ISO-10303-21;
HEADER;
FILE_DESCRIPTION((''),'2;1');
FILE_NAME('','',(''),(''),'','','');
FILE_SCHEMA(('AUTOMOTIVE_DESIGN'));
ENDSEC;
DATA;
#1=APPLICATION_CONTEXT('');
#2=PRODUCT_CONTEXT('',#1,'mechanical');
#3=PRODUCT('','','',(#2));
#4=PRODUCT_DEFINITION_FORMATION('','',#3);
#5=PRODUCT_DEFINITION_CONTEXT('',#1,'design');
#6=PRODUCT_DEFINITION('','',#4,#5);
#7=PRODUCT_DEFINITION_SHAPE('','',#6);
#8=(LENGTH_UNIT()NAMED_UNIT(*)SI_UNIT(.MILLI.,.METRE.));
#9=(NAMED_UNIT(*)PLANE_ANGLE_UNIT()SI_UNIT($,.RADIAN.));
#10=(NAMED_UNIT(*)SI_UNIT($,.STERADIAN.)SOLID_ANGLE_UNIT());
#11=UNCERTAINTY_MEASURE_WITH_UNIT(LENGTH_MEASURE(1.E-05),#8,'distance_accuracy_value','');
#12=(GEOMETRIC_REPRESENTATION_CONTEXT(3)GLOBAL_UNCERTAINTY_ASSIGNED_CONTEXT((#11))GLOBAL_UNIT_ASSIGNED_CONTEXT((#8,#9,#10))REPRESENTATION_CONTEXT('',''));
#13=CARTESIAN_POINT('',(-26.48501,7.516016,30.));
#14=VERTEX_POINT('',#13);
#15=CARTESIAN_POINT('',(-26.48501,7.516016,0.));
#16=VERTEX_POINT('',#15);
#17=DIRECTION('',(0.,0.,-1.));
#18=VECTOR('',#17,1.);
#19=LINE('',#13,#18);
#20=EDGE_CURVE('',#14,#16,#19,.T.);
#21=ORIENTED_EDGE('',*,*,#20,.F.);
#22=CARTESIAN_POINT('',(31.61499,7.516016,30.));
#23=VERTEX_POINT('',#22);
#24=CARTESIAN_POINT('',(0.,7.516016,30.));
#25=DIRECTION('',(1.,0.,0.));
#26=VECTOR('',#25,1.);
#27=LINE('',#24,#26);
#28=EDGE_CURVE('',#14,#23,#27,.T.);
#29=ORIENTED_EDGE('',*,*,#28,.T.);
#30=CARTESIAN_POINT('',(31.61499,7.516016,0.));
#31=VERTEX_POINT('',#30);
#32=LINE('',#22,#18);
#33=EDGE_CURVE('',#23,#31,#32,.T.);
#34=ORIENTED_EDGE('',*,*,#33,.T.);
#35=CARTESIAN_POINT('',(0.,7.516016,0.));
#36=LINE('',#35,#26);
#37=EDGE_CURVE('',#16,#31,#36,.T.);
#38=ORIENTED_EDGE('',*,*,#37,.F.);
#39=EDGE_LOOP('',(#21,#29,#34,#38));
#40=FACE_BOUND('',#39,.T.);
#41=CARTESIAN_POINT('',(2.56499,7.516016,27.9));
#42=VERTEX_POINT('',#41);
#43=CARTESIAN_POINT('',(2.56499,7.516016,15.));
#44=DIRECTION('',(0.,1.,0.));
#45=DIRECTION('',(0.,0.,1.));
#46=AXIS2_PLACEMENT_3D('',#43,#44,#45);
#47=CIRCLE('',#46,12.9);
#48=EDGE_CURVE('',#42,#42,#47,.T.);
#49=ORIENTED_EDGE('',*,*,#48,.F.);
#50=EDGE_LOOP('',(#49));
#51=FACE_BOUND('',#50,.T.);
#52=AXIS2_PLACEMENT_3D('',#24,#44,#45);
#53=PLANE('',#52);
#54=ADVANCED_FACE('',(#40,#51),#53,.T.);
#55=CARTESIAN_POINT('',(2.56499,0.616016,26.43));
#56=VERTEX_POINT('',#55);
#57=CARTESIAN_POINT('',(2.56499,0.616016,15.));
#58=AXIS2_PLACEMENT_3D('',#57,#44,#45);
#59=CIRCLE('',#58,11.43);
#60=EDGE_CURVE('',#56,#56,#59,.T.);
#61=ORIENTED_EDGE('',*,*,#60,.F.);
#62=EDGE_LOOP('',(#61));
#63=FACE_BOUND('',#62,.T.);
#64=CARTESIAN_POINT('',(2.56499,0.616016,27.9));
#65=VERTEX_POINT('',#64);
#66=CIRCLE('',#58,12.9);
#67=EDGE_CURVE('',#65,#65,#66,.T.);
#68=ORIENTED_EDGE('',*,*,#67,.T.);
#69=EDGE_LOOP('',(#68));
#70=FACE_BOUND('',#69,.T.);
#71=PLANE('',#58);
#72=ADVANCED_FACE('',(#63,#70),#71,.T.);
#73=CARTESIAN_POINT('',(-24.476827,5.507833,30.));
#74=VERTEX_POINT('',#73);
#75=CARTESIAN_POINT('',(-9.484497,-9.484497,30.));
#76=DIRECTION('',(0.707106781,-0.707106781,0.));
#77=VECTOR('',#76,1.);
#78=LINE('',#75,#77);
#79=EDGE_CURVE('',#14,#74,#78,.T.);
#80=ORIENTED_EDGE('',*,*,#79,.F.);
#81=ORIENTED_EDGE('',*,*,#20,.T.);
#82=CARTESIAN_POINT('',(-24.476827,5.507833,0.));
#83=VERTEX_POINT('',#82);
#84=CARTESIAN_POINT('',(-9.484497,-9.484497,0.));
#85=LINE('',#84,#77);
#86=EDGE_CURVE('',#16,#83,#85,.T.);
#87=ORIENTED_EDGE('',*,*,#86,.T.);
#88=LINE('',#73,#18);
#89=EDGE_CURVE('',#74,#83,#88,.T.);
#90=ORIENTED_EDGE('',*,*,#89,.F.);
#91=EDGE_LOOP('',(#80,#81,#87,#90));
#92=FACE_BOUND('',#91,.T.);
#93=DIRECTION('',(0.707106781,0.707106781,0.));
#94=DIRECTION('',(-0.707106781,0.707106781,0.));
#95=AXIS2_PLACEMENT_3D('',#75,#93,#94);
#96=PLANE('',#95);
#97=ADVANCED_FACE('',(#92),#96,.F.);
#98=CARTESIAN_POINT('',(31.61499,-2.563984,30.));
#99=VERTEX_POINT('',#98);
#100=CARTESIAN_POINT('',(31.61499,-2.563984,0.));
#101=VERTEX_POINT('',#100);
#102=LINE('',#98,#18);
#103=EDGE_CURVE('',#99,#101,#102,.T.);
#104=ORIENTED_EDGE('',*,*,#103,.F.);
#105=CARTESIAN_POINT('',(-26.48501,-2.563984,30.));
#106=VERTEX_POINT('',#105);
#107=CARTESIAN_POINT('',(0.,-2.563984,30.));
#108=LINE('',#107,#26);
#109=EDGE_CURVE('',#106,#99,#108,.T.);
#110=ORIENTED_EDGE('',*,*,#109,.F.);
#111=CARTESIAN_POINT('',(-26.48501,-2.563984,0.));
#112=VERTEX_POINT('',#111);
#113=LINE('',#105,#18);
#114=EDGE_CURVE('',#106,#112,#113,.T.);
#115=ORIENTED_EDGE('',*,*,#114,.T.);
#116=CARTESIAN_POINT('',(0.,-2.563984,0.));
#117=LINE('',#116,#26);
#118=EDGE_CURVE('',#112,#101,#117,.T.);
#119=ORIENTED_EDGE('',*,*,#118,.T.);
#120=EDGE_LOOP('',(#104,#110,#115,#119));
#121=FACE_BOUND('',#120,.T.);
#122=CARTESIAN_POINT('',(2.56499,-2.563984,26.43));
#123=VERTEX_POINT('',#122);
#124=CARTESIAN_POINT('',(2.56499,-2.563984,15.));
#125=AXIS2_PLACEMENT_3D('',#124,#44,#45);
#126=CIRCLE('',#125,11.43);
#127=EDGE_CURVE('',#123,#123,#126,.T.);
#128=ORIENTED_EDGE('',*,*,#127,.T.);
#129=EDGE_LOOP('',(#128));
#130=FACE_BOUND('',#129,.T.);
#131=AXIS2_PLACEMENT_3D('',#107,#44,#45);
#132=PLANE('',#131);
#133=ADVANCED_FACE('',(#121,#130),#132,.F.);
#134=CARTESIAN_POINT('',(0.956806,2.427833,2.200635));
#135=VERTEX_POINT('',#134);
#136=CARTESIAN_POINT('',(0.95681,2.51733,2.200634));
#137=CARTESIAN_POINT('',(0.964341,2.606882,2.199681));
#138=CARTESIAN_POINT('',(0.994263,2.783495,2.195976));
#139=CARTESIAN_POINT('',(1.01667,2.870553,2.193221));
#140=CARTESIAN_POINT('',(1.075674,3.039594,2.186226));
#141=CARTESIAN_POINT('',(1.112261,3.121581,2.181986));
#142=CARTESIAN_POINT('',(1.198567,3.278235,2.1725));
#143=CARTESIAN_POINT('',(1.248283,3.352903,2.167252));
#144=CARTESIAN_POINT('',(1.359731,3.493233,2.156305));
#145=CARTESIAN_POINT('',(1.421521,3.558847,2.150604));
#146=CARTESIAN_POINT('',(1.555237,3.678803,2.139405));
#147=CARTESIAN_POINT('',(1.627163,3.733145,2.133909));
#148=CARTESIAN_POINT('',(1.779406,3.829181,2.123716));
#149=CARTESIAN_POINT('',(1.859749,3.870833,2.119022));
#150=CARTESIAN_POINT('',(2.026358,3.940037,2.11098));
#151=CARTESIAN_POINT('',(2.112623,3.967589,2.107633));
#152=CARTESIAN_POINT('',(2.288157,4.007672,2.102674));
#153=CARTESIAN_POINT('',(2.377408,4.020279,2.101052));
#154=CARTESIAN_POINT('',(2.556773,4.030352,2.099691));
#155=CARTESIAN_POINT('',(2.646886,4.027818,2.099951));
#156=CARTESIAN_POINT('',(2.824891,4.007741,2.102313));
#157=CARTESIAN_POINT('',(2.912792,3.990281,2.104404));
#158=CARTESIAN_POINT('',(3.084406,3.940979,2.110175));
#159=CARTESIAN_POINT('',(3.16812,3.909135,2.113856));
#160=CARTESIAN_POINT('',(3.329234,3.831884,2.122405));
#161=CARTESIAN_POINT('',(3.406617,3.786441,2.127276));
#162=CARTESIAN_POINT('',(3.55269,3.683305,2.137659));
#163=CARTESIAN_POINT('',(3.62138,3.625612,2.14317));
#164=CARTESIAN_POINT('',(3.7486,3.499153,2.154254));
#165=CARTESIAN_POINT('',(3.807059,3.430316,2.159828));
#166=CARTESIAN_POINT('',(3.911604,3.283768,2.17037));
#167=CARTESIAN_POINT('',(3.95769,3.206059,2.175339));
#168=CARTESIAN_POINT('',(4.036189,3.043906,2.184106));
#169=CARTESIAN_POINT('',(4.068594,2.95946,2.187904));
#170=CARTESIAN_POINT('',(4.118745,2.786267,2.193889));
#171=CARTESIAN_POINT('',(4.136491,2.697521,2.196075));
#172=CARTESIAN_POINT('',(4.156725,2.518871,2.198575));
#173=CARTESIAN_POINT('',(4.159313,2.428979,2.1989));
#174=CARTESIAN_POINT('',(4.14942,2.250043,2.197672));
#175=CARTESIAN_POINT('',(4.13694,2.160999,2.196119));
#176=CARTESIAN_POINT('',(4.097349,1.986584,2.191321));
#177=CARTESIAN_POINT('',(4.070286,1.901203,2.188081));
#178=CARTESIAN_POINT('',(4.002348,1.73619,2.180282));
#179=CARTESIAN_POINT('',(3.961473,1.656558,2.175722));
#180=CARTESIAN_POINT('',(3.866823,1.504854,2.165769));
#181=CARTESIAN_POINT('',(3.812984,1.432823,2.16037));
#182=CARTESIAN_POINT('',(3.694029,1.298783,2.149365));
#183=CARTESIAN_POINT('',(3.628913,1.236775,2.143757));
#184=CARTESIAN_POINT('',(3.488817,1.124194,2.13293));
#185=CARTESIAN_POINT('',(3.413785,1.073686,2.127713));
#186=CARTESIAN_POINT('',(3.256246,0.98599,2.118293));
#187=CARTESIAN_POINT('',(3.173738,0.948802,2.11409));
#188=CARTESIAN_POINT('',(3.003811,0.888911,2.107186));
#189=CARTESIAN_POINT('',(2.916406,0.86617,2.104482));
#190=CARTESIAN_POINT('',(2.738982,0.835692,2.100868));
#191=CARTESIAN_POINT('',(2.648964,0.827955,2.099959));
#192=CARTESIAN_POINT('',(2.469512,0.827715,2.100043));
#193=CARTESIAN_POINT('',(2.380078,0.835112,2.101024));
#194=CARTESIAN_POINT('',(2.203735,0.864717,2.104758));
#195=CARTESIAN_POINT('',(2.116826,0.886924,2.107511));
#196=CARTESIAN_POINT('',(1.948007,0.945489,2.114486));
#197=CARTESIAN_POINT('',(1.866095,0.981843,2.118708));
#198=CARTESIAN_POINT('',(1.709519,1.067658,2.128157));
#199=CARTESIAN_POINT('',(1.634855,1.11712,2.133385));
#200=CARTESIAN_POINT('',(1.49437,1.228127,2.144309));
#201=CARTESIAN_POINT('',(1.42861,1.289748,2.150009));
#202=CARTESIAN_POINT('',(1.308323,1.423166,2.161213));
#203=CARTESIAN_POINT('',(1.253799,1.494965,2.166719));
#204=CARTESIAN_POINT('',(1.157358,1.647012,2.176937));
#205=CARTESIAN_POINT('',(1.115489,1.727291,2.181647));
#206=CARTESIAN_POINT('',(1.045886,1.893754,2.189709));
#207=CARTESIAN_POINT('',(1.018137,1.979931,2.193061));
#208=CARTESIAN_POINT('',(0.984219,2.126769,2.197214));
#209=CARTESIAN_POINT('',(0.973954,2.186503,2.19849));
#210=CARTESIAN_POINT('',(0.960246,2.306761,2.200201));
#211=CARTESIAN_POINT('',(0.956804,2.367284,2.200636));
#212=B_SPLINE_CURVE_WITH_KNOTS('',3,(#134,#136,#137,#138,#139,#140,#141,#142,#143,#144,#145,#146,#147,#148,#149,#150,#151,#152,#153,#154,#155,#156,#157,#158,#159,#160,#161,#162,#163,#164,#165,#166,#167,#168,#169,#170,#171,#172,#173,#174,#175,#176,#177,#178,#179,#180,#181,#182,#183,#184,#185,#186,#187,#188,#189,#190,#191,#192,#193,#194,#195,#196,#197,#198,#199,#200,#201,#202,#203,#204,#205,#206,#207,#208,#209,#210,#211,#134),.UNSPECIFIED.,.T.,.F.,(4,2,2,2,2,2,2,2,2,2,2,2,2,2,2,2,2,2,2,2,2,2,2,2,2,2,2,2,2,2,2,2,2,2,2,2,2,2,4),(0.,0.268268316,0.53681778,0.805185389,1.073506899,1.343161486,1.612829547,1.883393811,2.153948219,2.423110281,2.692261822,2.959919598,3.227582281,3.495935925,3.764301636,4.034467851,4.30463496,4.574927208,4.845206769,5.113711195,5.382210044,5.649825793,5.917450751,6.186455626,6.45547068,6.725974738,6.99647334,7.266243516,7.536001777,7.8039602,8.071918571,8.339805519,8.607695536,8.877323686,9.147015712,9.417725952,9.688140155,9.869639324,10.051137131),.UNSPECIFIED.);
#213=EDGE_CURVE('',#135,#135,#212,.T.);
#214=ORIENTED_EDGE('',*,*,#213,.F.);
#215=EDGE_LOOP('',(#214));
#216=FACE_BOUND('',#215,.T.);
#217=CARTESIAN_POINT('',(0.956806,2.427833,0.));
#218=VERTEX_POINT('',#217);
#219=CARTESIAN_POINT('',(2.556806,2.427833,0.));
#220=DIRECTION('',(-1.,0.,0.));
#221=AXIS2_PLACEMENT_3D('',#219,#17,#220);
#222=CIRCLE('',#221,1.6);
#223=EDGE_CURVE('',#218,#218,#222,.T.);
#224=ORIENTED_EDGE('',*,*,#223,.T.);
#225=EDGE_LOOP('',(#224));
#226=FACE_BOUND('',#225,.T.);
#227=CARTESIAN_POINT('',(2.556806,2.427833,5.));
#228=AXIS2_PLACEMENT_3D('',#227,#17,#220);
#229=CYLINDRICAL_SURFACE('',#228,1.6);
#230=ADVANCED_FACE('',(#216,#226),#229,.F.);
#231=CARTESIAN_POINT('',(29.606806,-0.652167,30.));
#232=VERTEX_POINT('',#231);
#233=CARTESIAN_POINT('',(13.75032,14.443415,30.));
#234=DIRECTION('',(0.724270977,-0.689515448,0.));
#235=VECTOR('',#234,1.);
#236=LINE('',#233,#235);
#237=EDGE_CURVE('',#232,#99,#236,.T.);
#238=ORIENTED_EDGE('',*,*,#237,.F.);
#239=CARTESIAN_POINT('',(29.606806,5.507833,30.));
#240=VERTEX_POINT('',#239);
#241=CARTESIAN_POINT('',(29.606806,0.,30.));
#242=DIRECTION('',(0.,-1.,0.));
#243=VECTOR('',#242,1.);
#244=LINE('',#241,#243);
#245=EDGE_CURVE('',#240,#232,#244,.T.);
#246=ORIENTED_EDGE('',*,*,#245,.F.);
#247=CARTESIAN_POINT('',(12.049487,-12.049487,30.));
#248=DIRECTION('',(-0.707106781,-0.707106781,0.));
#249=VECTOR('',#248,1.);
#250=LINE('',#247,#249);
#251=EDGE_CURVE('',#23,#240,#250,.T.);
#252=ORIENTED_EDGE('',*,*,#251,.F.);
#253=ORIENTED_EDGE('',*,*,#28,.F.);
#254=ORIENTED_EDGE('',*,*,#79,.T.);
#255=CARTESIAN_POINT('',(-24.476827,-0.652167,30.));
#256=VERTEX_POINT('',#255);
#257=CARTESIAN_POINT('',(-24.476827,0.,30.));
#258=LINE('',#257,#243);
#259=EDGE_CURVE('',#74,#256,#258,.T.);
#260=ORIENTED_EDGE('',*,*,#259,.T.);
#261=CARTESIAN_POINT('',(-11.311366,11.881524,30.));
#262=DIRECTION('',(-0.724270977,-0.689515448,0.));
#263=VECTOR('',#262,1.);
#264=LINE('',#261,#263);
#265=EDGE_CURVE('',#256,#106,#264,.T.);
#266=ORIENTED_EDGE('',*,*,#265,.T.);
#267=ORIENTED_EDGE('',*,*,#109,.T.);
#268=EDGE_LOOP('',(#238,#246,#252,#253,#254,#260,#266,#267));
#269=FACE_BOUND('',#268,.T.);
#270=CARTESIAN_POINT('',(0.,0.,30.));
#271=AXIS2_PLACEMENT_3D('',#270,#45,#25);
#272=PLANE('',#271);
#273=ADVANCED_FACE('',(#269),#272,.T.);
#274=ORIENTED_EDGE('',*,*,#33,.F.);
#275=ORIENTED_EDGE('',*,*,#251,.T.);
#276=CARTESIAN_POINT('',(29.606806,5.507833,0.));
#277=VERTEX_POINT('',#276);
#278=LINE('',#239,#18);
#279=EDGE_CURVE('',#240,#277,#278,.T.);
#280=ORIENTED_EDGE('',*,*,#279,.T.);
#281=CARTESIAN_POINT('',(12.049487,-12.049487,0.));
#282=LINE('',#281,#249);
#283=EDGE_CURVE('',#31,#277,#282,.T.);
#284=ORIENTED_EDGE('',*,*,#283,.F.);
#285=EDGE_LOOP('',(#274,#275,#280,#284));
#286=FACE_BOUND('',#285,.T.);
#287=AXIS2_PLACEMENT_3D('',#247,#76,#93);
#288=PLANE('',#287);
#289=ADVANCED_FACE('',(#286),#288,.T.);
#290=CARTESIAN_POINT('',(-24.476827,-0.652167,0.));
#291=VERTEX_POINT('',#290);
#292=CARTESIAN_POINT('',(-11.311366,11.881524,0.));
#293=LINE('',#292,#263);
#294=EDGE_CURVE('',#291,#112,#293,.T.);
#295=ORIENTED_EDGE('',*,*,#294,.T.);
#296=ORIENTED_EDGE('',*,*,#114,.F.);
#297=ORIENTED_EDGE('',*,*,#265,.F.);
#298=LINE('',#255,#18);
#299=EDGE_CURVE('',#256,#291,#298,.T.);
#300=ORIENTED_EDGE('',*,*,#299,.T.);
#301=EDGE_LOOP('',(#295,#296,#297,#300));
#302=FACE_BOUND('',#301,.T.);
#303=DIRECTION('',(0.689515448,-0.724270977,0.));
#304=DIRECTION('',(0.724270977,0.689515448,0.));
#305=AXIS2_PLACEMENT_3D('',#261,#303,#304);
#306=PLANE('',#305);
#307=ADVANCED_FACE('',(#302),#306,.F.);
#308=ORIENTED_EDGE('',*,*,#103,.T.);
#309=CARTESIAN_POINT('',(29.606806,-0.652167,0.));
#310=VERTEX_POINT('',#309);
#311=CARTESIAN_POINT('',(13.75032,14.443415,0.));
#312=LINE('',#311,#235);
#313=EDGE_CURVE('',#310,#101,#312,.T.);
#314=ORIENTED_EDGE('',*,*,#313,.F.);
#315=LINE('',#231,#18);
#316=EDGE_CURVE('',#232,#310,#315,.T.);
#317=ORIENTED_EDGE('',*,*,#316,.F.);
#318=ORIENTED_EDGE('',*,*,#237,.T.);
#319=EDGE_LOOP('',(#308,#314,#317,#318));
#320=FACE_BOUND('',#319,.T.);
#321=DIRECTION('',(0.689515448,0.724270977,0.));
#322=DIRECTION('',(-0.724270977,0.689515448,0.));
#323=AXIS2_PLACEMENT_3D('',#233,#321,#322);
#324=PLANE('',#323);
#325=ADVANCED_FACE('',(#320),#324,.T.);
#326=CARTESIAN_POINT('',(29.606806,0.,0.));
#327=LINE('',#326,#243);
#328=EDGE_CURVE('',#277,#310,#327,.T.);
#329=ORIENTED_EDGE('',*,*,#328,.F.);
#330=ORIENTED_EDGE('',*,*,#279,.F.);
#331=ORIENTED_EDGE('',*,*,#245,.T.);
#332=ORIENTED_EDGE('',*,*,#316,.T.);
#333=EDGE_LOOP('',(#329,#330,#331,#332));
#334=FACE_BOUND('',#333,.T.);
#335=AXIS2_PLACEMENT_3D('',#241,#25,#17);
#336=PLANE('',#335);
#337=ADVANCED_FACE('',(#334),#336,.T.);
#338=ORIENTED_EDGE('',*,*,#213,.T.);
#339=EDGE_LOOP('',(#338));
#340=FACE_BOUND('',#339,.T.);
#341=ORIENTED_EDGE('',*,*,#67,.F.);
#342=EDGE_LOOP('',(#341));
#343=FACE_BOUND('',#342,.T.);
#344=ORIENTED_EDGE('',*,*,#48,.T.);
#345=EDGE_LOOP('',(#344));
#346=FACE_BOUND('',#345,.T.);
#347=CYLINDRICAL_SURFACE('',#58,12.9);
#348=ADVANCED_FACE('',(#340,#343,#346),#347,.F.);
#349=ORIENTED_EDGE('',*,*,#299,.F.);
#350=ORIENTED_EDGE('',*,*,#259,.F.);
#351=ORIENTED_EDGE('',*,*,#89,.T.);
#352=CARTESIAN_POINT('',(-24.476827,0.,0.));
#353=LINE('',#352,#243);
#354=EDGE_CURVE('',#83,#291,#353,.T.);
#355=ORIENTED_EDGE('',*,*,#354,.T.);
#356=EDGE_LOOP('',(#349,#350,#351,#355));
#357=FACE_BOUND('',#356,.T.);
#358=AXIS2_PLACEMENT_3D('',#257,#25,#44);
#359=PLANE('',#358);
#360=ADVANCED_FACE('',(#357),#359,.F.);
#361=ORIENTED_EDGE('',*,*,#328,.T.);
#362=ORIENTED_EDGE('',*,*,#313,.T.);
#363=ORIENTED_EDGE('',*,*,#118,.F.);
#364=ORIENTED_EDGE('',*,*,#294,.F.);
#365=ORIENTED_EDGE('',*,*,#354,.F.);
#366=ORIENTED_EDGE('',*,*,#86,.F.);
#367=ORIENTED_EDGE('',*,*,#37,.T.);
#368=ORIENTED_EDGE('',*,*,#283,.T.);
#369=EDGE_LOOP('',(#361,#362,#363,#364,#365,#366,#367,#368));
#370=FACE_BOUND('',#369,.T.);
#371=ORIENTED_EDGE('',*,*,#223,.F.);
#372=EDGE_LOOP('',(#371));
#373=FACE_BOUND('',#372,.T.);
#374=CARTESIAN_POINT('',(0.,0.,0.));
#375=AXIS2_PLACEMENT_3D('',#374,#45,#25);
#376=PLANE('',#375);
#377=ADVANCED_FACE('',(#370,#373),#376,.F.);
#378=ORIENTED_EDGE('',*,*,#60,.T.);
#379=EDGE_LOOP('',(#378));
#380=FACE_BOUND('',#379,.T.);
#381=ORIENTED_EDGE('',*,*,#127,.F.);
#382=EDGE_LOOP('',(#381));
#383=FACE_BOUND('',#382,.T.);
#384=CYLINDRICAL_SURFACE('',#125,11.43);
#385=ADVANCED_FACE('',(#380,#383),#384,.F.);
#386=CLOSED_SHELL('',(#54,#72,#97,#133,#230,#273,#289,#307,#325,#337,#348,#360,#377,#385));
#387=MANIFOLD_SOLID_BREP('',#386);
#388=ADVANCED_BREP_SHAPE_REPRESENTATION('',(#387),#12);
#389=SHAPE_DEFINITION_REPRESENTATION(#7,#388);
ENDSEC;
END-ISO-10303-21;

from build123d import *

# Parameters (mm, degrees)
EXTRUDE_1_DEPTH     = 30
SKETCH_2_R          = 11.43
CUT_EXTRUDE_1_DEPTH = 45.733812445
SKETCH_2_3_R        = 12.9
SKETCH_2_3_R_2      = 11.43
CUT_EXTRUDE_2_DEPTH = 6.9
SKETCH_3_R          = 1.6
CUT_EXTRUDE_3_DEPTH = 5


with BuildPart() as part:
    # 草图1 → 凸台-拉伸1 (new body)
    with BuildSketch(Plane.XY):
        Polygon((31.614989733, 7.516016427), (-26.485010267, 7.516016427), (-24.476827008, 5.507833169), (-24.476827008, -0.652166831), (-26.485010267, -2.563983573), (31.614989733, -2.563983573), (29.606806474, -0.652166831), (29.606806474, 5.507833169), align=None)
    extrude(amount=EXTRUDE_1_DEPTH)

    # 草图2 → 切除-拉伸1 (cut, through all)
    with BuildSketch(Plane(origin=(0, 7.516016427, 0), x_dir=(1, 0, 0), z_dir=(0, 1, 0))):
        with Locations((2.564989733, -15)):
            Circle(SKETCH_2_R)
    extrude(amount=-CUT_EXTRUDE_1_DEPTH, mode=Mode.SUBTRACT)

    # 草图2<3> → 切除-拉伸2 (cut)
    with BuildSketch(Plane(origin=(0, 7.516016427, 0), x_dir=(1, 0, 0), z_dir=(0, 1, 0))):
        with Locations((2.564989733, -15)):
            Circle(SKETCH_2_3_R)
        with Locations((2.564989733, -15)):
            Circle(SKETCH_2_3_R_2, mode=Mode.SUBTRACT)
    extrude(amount=-CUT_EXTRUDE_2_DEPTH, mode=Mode.SUBTRACT)

    # 草图3 → 切除-拉伸3 (cut)
    with BuildSketch(Plane(origin=(0, 0, 0), x_dir=(-1, 0, 0), z_dir=(0, 0, -1))):
        with Locations((-2.556806474, 2.427833169)):
            Circle(SKETCH_3_R)
    extrude(amount=-CUT_EXTRUDE_3_DEPTH, mode=Mode.SUBTRACT)


solid = part.part
